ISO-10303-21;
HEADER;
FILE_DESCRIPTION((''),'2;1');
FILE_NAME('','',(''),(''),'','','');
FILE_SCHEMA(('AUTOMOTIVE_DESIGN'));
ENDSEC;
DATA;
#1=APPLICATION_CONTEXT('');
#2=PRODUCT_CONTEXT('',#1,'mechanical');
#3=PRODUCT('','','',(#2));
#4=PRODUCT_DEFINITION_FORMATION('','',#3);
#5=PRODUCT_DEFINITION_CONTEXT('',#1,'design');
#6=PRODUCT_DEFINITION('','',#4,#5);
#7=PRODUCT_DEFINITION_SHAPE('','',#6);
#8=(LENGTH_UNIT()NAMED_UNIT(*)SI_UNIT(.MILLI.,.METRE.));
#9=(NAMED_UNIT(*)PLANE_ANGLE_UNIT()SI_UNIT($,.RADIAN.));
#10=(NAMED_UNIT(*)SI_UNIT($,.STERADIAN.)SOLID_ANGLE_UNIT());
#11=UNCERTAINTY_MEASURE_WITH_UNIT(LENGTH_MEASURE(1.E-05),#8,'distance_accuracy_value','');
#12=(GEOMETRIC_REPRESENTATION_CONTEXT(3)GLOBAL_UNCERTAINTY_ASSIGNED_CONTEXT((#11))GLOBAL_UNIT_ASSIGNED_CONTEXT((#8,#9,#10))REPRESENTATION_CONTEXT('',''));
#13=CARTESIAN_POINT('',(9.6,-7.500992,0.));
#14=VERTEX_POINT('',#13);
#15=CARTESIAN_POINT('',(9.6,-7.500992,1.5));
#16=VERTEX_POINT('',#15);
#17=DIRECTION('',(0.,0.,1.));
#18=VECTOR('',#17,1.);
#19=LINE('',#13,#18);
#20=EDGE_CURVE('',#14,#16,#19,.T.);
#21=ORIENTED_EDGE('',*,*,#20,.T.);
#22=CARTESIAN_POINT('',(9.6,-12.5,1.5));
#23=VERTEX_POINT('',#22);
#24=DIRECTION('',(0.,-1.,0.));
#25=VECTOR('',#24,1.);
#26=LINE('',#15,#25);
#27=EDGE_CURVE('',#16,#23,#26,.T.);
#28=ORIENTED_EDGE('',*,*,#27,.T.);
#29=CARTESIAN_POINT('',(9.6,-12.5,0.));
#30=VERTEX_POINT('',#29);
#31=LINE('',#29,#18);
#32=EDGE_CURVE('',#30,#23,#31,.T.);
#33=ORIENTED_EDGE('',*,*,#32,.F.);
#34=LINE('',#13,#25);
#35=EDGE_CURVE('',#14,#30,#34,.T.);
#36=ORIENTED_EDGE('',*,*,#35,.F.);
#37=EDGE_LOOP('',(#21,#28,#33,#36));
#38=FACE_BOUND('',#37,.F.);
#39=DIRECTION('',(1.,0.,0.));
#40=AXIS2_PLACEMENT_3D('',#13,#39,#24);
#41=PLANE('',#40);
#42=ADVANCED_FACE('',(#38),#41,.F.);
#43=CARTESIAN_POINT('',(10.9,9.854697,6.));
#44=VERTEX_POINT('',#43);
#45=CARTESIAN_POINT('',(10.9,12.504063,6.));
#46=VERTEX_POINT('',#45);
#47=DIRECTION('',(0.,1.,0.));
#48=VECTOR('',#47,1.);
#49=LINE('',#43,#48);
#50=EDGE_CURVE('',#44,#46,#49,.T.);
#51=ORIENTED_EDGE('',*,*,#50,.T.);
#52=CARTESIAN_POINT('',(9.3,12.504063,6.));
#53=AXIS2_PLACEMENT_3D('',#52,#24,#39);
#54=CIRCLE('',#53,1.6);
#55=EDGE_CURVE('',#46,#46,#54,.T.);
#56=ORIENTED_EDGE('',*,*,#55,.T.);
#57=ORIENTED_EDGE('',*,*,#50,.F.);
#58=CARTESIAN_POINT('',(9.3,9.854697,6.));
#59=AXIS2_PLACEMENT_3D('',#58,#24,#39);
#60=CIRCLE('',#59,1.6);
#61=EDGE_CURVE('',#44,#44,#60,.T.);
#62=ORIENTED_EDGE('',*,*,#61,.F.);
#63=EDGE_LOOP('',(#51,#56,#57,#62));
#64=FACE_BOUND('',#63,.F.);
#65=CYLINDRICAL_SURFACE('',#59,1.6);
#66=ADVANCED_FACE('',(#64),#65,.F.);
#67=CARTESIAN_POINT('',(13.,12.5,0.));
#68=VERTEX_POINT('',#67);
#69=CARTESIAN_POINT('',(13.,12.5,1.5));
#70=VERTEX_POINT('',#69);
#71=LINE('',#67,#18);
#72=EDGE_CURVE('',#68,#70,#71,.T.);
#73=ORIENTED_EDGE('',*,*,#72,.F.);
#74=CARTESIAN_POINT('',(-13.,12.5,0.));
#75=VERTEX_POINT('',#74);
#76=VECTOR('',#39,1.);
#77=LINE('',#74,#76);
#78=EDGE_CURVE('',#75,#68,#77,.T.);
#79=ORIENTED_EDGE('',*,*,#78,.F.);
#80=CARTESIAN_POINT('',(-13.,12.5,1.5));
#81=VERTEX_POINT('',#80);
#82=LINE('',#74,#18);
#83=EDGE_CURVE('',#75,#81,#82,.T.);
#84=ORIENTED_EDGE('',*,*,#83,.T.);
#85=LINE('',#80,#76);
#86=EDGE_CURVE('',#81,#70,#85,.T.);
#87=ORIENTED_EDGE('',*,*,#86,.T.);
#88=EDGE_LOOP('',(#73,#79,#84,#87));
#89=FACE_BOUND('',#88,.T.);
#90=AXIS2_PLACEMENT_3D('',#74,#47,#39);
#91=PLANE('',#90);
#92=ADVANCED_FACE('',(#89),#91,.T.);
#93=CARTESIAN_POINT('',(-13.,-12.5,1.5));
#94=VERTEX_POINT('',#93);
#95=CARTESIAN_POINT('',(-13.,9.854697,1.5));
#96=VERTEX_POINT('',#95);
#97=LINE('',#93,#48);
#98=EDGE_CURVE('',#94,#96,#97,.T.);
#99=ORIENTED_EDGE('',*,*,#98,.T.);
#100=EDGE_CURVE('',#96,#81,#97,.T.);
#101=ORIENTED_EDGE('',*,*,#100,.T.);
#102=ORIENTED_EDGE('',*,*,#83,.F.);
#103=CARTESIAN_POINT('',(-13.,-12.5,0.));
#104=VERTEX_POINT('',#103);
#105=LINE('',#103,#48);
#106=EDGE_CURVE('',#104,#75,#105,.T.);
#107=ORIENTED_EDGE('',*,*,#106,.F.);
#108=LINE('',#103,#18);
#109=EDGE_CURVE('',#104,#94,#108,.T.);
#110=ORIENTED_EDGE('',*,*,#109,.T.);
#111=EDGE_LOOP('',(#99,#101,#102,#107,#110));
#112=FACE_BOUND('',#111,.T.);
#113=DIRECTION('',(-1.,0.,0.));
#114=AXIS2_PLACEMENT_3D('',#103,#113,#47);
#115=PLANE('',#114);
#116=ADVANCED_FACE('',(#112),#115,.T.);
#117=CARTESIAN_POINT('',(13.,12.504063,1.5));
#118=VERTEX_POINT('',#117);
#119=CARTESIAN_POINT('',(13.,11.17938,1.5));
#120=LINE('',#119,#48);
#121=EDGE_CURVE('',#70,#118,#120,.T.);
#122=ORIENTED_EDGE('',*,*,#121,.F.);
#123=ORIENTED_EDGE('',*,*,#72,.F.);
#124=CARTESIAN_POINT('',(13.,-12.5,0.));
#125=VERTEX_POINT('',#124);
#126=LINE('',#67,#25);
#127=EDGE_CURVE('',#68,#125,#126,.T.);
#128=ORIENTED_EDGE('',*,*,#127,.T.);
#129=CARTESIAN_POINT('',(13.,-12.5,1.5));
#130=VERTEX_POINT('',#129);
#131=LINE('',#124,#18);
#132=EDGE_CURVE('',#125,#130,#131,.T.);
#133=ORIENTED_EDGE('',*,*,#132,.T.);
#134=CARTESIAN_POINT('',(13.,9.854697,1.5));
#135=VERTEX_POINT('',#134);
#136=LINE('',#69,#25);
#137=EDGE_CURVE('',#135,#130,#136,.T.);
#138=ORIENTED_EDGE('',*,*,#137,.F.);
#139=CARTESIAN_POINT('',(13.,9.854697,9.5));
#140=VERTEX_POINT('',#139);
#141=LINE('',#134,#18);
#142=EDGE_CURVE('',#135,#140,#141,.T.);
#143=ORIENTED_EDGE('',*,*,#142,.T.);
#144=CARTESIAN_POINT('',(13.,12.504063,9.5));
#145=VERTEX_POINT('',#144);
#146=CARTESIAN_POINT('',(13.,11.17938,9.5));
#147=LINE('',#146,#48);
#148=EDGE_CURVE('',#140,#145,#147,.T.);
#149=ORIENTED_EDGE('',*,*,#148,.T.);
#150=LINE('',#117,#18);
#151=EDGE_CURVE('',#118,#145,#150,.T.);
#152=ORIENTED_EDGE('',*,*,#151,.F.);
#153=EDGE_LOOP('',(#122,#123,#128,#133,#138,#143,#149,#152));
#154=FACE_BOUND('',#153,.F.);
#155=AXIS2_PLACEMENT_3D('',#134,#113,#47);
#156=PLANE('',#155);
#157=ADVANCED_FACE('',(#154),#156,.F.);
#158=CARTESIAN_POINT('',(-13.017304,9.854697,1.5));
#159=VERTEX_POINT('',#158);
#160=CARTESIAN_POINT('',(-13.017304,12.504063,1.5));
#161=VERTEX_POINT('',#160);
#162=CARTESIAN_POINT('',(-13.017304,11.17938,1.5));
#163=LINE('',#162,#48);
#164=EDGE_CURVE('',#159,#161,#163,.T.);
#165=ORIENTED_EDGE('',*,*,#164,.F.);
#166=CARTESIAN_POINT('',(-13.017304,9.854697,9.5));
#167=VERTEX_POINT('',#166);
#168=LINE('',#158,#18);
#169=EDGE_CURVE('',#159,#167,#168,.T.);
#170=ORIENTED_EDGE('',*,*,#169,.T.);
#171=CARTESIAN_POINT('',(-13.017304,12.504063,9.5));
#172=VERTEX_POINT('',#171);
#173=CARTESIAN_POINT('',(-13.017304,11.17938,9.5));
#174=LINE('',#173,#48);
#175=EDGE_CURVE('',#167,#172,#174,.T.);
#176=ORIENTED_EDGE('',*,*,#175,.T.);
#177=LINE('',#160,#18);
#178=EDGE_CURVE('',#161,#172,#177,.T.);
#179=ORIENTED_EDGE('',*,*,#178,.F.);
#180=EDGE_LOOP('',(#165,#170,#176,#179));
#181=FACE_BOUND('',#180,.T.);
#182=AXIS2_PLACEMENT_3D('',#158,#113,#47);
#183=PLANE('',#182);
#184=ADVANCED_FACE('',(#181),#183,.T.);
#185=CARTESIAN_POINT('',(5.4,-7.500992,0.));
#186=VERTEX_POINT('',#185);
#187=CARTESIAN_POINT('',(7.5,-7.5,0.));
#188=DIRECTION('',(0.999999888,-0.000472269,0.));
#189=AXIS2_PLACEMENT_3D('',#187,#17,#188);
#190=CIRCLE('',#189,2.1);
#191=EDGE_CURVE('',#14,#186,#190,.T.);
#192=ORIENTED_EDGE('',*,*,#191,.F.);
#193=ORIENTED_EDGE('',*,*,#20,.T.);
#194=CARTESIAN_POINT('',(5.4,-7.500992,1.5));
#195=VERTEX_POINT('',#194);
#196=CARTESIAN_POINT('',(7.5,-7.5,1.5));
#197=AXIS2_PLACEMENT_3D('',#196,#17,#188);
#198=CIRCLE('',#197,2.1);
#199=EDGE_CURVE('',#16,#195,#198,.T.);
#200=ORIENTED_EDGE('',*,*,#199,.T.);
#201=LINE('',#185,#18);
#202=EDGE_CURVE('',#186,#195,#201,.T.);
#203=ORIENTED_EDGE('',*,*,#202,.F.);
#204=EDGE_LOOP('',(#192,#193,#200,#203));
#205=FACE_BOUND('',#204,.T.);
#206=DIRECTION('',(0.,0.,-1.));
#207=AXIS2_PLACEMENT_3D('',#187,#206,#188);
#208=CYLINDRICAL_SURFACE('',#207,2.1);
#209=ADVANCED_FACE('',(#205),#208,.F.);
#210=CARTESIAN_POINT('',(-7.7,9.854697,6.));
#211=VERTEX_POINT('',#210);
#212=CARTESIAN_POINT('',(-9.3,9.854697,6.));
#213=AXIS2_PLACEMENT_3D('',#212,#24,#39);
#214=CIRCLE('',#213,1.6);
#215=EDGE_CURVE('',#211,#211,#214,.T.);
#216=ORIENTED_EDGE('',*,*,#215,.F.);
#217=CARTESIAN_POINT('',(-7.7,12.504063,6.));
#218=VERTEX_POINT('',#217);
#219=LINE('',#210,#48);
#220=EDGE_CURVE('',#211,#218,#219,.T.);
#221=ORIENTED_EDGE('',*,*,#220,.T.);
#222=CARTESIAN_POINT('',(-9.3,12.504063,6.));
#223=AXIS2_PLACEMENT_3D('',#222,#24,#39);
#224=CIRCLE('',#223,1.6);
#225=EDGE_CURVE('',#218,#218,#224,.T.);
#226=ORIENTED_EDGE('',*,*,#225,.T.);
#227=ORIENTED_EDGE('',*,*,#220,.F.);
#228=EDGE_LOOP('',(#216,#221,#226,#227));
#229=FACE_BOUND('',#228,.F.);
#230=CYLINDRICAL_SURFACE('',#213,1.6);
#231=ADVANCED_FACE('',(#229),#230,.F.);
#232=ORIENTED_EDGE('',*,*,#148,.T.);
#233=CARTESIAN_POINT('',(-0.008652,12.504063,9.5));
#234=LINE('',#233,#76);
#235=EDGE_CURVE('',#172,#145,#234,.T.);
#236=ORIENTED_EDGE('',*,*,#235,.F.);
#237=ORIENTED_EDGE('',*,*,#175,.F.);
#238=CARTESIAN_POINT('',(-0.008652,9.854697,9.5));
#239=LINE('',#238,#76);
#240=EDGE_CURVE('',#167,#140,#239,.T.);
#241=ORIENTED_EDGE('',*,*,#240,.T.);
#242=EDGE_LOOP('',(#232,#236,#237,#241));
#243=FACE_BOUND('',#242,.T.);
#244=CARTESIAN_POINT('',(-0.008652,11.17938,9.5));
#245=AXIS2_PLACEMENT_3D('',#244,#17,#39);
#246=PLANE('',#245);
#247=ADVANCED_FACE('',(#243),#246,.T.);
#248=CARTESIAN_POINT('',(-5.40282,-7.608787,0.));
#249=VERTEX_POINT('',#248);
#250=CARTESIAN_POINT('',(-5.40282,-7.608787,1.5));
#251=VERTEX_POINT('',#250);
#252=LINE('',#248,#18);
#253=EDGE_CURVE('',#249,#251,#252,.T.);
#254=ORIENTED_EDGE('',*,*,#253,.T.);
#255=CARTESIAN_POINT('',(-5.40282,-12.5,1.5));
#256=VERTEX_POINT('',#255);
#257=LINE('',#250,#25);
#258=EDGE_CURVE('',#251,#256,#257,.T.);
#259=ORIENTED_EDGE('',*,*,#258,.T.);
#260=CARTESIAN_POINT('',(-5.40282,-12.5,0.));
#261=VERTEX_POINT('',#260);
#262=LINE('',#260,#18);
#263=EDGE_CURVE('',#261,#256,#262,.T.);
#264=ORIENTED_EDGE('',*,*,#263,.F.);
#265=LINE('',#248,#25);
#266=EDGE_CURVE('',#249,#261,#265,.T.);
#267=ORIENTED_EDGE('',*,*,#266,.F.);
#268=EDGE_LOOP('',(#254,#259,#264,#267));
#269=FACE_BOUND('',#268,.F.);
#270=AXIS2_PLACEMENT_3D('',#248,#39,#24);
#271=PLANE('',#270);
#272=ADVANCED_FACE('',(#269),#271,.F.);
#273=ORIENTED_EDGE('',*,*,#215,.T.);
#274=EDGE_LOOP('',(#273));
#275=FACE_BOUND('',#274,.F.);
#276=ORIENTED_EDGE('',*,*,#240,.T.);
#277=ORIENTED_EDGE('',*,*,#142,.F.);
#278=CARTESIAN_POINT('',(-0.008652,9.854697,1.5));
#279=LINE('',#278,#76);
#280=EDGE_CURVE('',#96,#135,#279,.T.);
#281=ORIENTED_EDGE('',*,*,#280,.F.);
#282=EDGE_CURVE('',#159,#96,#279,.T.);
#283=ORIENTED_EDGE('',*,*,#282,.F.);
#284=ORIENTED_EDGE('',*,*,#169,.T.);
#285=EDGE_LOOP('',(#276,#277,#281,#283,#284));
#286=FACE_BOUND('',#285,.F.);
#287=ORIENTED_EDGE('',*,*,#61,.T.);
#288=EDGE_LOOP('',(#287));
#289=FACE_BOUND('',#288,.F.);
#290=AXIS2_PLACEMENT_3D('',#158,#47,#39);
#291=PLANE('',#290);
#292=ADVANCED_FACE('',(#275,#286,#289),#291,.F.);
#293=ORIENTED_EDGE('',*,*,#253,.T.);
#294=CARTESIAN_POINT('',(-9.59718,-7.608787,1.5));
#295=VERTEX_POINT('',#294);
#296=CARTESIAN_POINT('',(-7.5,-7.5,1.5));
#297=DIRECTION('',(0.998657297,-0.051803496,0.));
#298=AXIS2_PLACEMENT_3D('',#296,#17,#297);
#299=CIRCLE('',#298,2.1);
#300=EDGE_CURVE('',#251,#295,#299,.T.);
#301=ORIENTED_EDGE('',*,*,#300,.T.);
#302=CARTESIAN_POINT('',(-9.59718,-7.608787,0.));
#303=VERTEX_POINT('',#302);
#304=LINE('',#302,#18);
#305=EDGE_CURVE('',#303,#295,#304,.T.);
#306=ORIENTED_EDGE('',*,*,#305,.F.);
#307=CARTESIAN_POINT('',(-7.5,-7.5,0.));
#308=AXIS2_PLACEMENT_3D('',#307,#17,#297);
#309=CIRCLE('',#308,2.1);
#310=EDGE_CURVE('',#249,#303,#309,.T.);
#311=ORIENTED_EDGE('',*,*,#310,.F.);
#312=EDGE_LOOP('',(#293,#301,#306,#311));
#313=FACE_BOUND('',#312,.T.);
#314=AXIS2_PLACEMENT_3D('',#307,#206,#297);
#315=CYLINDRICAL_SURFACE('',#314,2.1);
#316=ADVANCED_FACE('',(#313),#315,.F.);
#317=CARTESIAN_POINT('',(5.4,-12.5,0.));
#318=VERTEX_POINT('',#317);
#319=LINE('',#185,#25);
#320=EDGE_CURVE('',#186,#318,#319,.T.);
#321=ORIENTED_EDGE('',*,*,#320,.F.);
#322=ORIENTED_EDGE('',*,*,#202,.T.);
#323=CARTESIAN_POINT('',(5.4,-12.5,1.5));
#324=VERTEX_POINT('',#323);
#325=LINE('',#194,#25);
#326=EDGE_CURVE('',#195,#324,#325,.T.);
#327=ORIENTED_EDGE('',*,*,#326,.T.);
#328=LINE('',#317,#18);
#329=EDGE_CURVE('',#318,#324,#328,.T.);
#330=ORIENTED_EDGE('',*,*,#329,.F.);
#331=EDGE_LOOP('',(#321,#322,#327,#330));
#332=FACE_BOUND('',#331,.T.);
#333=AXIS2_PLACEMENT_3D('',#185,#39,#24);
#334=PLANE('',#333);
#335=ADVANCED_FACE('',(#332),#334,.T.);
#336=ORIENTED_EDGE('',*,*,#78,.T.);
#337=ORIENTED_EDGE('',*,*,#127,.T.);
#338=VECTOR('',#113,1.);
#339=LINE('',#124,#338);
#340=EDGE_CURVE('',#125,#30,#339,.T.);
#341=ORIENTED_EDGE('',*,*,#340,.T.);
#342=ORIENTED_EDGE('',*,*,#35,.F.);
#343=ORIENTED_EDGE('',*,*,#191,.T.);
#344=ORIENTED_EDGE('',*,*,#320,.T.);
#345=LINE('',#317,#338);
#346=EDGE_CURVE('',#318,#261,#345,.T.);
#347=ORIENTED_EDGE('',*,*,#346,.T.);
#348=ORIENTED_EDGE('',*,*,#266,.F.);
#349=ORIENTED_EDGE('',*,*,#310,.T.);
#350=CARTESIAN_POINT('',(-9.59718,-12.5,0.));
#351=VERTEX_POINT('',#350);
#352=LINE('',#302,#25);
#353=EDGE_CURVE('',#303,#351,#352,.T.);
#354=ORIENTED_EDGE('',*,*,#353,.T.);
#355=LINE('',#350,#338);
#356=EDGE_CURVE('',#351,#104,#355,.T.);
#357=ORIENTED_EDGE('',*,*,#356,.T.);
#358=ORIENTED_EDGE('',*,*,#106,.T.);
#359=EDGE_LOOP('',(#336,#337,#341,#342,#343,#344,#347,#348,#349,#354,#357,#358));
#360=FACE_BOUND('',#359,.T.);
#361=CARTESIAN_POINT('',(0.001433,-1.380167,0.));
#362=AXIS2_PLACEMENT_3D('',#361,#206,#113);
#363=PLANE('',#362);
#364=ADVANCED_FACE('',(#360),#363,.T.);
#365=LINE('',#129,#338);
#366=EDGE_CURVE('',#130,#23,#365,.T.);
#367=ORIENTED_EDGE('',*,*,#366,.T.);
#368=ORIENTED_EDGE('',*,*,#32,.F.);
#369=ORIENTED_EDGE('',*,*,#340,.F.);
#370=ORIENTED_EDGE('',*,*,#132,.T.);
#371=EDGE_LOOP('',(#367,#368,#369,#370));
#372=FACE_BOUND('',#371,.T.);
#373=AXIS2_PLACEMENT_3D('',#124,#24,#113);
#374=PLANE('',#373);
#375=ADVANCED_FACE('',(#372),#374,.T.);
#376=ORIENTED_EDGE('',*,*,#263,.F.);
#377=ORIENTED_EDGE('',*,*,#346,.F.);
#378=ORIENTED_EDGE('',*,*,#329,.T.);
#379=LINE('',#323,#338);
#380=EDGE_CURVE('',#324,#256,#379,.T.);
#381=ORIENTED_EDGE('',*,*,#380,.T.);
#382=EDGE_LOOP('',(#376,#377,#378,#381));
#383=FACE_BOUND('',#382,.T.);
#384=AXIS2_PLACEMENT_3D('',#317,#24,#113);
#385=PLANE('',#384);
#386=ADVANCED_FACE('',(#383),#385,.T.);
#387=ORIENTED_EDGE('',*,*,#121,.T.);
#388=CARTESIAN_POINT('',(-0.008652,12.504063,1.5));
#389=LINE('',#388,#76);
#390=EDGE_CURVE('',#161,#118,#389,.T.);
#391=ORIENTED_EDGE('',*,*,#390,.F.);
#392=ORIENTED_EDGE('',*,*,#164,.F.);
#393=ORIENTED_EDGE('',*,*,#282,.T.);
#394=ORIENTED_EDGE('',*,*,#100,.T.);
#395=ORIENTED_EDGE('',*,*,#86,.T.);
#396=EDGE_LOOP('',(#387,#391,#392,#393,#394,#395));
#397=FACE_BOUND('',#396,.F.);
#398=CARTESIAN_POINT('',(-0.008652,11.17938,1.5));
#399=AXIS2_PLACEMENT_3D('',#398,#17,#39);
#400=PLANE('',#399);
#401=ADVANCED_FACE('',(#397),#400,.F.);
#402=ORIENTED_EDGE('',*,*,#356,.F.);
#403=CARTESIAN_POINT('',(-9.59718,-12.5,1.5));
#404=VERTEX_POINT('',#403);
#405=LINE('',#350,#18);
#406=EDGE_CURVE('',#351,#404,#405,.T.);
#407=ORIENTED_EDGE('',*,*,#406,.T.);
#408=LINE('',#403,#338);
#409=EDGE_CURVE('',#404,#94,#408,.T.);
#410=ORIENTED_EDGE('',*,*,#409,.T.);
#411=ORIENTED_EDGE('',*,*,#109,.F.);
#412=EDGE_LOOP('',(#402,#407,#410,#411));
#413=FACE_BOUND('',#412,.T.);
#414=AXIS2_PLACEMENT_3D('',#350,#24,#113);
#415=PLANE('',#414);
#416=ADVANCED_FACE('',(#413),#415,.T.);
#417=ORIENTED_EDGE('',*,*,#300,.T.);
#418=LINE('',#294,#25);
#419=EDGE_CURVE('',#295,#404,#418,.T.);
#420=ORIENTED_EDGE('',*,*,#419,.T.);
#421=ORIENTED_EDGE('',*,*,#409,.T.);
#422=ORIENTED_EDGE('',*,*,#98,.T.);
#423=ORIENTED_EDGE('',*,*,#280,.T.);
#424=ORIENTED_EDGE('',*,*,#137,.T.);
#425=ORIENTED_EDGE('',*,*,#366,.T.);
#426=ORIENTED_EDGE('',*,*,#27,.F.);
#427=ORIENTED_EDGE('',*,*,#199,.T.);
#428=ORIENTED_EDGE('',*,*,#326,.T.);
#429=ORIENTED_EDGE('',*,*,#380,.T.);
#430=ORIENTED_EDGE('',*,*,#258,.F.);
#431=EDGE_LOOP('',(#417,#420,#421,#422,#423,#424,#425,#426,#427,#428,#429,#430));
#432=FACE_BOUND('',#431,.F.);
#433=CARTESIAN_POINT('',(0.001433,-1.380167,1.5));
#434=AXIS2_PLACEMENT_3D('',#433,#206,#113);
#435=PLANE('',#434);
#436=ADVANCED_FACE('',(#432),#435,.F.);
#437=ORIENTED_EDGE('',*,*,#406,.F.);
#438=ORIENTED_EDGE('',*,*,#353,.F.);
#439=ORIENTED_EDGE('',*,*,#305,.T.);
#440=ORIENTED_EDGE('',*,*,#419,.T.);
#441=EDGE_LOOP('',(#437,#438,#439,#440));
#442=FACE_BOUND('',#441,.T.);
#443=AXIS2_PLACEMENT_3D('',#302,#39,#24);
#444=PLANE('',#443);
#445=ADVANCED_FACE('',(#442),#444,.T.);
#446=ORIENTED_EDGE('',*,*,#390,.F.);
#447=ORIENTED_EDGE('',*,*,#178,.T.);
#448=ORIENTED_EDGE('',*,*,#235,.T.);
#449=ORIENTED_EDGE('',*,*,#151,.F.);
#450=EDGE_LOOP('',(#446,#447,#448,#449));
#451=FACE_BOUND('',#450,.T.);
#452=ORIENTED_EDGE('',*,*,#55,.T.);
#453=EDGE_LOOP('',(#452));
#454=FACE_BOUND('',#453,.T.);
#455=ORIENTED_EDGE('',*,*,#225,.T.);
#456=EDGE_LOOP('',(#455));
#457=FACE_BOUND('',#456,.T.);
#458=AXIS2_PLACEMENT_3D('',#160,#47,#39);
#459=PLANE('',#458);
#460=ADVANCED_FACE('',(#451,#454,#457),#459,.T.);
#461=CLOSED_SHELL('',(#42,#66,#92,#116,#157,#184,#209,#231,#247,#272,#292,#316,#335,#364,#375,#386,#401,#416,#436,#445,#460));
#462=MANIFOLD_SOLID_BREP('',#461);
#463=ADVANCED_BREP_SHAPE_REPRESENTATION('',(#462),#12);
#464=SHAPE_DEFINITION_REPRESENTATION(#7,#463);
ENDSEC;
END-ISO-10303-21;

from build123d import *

# Parameters (mm, degrees)
PAD_DEPTH    = 1.5
SKETCH001_W  = 26.017304
SKETCH001_H  = 2.649366
PAD001_DEPTH = 8
SKETCH002_R  = 1.6
POCKET_DEPTH = 2.650366


with BuildPart() as part:
    # Sketch → Pad (new body)
    with BuildSketch(Plane.XY):
        with BuildLine():
            Line((-13, 12.5), (13, 12.5))
            Line((13, 12.5), (13, -12.5))
            Line((13, -12.5), (9.6, -12.5))
            Line((9.6, -7.500992), (9.6, -12.5))
            ThreePointArc((9.6, -7.500992), (7.5, -5.4), (5.4, -7.500992))
            Line((5.4, -7.500992), (5.4, -12.5))
            Line((5.4, -12.5), (-5.40282, -12.5))
            Line((-5.40282, -7.608787), (-5.40282, -12.5))
            ThreePointArc((-5.40282, -7.608787), (-7.5, -5.4), (-9.59718, -7.608787))
            Line((-9.59718, -7.608787), (-9.59718, -12.5))
            Line((-9.59718, -12.5), (-13, -12.5))
            Line((-13, -12.5), (-13, 12.5))
        make_face()
    extrude(amount=PAD_DEPTH)

    # Sketch001 → Pad001 (new body)
    with BuildSketch(Plane.XY.offset(1.5)):
        with Locations((-0.008652, 11.17938)):
            Rectangle(SKETCH001_W, SKETCH001_H)
    extrude(amount=PAD001_DEPTH)

    # Sketch002 → Pocket (cut, through all)
    with BuildSketch(Plane.XZ.offset(-9.854697)):
        with Locations((-9.3, 6)):
            Circle(SKETCH002_R)
        with Locations((9.3, 6)):
            Circle(SKETCH002_R)
    extrude(amount=-POCKET_DEPTH, mode=Mode.SUBTRACT)


solid = part.part
